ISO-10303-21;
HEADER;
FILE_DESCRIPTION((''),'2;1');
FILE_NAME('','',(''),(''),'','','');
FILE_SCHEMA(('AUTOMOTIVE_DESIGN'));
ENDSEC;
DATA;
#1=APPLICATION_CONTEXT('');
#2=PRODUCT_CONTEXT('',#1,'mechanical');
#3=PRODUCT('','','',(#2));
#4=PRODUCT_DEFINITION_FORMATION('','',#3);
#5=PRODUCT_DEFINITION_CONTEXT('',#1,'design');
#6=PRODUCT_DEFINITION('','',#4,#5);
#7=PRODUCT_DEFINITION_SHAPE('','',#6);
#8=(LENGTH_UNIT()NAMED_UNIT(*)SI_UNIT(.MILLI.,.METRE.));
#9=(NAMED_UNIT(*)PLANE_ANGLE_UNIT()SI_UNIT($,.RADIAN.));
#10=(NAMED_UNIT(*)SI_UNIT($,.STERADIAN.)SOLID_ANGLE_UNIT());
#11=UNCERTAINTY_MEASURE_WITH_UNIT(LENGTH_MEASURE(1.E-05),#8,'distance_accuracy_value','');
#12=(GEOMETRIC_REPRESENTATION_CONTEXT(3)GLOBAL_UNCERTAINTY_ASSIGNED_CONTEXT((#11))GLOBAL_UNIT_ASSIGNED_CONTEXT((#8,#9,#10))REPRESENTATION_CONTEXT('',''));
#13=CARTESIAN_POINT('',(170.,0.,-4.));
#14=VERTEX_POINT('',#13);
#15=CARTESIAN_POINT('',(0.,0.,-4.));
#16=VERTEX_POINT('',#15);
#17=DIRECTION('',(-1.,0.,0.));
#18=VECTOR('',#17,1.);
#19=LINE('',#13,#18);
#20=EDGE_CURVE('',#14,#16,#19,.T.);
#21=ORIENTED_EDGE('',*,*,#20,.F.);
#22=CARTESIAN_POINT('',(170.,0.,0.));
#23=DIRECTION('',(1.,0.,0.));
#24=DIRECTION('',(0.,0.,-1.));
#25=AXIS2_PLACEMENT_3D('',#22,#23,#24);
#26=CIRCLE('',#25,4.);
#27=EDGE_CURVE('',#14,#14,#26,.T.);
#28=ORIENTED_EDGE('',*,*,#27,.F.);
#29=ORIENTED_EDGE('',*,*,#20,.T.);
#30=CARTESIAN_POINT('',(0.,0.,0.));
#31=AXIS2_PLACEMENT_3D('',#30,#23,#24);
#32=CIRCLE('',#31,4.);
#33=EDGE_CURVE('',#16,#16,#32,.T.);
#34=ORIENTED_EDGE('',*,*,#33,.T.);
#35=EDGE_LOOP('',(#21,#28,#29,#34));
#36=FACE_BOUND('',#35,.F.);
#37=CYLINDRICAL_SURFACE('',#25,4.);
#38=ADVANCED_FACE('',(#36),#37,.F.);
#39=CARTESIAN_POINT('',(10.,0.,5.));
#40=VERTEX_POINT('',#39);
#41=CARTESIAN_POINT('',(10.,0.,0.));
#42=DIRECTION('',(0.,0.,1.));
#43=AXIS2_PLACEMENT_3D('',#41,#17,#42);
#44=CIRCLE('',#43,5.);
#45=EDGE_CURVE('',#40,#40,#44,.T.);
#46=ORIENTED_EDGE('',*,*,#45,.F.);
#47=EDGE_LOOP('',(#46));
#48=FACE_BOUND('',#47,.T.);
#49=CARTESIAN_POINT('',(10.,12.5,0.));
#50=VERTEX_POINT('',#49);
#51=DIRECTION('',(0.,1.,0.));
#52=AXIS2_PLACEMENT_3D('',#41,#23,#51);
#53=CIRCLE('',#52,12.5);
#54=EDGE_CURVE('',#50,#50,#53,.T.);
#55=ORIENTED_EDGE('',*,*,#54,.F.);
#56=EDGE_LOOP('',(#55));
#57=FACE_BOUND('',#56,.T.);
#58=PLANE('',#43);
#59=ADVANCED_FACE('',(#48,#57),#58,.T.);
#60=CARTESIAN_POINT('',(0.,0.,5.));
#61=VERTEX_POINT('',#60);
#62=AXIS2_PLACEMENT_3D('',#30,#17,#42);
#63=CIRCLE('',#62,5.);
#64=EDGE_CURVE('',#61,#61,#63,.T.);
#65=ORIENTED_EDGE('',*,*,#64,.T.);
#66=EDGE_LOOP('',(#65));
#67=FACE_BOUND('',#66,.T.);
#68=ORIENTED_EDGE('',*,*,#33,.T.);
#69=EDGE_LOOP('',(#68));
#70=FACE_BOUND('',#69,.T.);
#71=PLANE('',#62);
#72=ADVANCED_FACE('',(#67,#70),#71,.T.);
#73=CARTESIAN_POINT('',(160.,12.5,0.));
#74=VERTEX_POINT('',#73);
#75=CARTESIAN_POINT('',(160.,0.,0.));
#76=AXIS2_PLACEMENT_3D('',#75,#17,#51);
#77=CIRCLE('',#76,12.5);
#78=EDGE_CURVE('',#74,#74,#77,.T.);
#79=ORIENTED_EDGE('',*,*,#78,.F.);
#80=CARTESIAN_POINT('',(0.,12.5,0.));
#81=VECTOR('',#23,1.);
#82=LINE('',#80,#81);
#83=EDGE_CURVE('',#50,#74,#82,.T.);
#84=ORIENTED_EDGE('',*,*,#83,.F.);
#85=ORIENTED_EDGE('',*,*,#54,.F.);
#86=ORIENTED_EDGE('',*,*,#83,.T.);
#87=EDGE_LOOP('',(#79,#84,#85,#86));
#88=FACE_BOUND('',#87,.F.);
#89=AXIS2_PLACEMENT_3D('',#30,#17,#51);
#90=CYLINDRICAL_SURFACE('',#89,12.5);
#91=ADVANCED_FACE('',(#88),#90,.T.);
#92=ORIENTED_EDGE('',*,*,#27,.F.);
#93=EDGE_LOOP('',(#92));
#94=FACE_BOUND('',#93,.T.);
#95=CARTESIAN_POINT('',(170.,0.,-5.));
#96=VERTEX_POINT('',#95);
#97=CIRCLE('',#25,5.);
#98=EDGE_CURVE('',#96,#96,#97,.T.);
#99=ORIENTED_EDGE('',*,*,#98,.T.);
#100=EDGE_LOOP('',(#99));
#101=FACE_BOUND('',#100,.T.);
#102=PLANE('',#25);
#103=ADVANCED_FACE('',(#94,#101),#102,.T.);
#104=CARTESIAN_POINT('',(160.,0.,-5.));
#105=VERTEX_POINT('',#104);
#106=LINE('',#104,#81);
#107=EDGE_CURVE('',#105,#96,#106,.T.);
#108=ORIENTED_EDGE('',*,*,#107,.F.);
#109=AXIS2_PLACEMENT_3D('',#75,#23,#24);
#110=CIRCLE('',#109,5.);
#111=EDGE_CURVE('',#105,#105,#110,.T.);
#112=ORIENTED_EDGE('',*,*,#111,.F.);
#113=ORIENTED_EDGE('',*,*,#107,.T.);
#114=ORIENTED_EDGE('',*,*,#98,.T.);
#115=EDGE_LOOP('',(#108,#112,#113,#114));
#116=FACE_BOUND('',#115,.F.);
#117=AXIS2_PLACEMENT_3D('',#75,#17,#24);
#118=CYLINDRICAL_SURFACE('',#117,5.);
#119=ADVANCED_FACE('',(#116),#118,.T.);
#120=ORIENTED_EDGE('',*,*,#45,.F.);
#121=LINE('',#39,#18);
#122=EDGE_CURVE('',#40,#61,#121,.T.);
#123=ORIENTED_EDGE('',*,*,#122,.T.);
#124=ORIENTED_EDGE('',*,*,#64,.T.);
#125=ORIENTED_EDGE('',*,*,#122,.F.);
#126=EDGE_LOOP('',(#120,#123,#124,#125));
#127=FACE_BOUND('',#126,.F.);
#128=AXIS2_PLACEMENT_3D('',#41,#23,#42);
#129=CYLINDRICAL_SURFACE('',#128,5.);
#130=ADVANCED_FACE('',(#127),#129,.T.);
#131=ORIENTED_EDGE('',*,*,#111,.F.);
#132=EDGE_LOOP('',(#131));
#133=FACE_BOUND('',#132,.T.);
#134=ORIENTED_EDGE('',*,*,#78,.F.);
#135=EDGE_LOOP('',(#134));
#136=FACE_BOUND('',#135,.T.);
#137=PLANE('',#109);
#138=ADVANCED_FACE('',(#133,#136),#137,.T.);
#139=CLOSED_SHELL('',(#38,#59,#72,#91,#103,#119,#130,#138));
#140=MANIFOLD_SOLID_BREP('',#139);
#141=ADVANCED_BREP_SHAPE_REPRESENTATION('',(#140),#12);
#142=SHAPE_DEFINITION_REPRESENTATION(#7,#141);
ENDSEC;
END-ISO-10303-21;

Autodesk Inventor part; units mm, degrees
ref_plane "YZ Plane" through (0, 0, 0) normal (1, 0, 0) x (0, 1, 0)
ref_plane "XZ Plane" through (0, 0, 0) normal (0, 1, 0) x (-1, 0, 0)
ref_plane "XY Plane" through (0, 0, 0) normal (0, 0, 1) x (1, 0, 0)
sketch "Sketch1" plane through (0, 0, 0) normal (1, 0, 0) x (0, 1, 0)
  circle A0 centre (0, 0) radius 12.5
  dimension "d0" = 25
extrude "Extrusion1" add sketch "Sketch1" along normal blind 170
sketch "Sketch2" plane through (170, 0, 0) normal (1, 0, 0) x (0, 0, -1)
  circle A0 centre (0, 0) radius 12.5
  dimension "d3" = 25
extrude "Extrusion2" cut sketch "Sketch2" against normal blind 10
sketch "Sketch3" plane through (160, 0, 0) normal (1, 0, 0) x (0, 0, -1)
  circle A0 centre (0, 0) radius 5
  dimension "d6" = 10
extrude "Extrusion3" add sketch "Sketch3" along normal blind 10
sketch "Sketch4" plane through (0, 0, 0) normal (-1, 0, 0) x (0, 0, 1)
  circle A0 centre (0, 0) radius 12.5
  dimension "d9" = 25
extrude "Extrusion4" cut sketch "Sketch4" against normal blind 10
sketch "Sketch5" plane through (10, 0, 0) normal (-1, 0, 0) x (0, 0, 1)
  circle A0 centre (0, 0) radius 5 projected
  circle A1 centre (0, 0) radius 5
extrude "Extrusion5" add sketch "Sketch5" along normal blind 10
sketch "Sketch6" plane through (170, 0, 0) normal (1, 0, 0) x (0, 0, -1)
  circle A0 centre (0, 0) radius 4
  dimension "d14" = 8
extrude "Extrusion6" cut sketch "Sketch6" against normal blind 170
properties part number "laserbody" material "Polycarbonate, Clear"
